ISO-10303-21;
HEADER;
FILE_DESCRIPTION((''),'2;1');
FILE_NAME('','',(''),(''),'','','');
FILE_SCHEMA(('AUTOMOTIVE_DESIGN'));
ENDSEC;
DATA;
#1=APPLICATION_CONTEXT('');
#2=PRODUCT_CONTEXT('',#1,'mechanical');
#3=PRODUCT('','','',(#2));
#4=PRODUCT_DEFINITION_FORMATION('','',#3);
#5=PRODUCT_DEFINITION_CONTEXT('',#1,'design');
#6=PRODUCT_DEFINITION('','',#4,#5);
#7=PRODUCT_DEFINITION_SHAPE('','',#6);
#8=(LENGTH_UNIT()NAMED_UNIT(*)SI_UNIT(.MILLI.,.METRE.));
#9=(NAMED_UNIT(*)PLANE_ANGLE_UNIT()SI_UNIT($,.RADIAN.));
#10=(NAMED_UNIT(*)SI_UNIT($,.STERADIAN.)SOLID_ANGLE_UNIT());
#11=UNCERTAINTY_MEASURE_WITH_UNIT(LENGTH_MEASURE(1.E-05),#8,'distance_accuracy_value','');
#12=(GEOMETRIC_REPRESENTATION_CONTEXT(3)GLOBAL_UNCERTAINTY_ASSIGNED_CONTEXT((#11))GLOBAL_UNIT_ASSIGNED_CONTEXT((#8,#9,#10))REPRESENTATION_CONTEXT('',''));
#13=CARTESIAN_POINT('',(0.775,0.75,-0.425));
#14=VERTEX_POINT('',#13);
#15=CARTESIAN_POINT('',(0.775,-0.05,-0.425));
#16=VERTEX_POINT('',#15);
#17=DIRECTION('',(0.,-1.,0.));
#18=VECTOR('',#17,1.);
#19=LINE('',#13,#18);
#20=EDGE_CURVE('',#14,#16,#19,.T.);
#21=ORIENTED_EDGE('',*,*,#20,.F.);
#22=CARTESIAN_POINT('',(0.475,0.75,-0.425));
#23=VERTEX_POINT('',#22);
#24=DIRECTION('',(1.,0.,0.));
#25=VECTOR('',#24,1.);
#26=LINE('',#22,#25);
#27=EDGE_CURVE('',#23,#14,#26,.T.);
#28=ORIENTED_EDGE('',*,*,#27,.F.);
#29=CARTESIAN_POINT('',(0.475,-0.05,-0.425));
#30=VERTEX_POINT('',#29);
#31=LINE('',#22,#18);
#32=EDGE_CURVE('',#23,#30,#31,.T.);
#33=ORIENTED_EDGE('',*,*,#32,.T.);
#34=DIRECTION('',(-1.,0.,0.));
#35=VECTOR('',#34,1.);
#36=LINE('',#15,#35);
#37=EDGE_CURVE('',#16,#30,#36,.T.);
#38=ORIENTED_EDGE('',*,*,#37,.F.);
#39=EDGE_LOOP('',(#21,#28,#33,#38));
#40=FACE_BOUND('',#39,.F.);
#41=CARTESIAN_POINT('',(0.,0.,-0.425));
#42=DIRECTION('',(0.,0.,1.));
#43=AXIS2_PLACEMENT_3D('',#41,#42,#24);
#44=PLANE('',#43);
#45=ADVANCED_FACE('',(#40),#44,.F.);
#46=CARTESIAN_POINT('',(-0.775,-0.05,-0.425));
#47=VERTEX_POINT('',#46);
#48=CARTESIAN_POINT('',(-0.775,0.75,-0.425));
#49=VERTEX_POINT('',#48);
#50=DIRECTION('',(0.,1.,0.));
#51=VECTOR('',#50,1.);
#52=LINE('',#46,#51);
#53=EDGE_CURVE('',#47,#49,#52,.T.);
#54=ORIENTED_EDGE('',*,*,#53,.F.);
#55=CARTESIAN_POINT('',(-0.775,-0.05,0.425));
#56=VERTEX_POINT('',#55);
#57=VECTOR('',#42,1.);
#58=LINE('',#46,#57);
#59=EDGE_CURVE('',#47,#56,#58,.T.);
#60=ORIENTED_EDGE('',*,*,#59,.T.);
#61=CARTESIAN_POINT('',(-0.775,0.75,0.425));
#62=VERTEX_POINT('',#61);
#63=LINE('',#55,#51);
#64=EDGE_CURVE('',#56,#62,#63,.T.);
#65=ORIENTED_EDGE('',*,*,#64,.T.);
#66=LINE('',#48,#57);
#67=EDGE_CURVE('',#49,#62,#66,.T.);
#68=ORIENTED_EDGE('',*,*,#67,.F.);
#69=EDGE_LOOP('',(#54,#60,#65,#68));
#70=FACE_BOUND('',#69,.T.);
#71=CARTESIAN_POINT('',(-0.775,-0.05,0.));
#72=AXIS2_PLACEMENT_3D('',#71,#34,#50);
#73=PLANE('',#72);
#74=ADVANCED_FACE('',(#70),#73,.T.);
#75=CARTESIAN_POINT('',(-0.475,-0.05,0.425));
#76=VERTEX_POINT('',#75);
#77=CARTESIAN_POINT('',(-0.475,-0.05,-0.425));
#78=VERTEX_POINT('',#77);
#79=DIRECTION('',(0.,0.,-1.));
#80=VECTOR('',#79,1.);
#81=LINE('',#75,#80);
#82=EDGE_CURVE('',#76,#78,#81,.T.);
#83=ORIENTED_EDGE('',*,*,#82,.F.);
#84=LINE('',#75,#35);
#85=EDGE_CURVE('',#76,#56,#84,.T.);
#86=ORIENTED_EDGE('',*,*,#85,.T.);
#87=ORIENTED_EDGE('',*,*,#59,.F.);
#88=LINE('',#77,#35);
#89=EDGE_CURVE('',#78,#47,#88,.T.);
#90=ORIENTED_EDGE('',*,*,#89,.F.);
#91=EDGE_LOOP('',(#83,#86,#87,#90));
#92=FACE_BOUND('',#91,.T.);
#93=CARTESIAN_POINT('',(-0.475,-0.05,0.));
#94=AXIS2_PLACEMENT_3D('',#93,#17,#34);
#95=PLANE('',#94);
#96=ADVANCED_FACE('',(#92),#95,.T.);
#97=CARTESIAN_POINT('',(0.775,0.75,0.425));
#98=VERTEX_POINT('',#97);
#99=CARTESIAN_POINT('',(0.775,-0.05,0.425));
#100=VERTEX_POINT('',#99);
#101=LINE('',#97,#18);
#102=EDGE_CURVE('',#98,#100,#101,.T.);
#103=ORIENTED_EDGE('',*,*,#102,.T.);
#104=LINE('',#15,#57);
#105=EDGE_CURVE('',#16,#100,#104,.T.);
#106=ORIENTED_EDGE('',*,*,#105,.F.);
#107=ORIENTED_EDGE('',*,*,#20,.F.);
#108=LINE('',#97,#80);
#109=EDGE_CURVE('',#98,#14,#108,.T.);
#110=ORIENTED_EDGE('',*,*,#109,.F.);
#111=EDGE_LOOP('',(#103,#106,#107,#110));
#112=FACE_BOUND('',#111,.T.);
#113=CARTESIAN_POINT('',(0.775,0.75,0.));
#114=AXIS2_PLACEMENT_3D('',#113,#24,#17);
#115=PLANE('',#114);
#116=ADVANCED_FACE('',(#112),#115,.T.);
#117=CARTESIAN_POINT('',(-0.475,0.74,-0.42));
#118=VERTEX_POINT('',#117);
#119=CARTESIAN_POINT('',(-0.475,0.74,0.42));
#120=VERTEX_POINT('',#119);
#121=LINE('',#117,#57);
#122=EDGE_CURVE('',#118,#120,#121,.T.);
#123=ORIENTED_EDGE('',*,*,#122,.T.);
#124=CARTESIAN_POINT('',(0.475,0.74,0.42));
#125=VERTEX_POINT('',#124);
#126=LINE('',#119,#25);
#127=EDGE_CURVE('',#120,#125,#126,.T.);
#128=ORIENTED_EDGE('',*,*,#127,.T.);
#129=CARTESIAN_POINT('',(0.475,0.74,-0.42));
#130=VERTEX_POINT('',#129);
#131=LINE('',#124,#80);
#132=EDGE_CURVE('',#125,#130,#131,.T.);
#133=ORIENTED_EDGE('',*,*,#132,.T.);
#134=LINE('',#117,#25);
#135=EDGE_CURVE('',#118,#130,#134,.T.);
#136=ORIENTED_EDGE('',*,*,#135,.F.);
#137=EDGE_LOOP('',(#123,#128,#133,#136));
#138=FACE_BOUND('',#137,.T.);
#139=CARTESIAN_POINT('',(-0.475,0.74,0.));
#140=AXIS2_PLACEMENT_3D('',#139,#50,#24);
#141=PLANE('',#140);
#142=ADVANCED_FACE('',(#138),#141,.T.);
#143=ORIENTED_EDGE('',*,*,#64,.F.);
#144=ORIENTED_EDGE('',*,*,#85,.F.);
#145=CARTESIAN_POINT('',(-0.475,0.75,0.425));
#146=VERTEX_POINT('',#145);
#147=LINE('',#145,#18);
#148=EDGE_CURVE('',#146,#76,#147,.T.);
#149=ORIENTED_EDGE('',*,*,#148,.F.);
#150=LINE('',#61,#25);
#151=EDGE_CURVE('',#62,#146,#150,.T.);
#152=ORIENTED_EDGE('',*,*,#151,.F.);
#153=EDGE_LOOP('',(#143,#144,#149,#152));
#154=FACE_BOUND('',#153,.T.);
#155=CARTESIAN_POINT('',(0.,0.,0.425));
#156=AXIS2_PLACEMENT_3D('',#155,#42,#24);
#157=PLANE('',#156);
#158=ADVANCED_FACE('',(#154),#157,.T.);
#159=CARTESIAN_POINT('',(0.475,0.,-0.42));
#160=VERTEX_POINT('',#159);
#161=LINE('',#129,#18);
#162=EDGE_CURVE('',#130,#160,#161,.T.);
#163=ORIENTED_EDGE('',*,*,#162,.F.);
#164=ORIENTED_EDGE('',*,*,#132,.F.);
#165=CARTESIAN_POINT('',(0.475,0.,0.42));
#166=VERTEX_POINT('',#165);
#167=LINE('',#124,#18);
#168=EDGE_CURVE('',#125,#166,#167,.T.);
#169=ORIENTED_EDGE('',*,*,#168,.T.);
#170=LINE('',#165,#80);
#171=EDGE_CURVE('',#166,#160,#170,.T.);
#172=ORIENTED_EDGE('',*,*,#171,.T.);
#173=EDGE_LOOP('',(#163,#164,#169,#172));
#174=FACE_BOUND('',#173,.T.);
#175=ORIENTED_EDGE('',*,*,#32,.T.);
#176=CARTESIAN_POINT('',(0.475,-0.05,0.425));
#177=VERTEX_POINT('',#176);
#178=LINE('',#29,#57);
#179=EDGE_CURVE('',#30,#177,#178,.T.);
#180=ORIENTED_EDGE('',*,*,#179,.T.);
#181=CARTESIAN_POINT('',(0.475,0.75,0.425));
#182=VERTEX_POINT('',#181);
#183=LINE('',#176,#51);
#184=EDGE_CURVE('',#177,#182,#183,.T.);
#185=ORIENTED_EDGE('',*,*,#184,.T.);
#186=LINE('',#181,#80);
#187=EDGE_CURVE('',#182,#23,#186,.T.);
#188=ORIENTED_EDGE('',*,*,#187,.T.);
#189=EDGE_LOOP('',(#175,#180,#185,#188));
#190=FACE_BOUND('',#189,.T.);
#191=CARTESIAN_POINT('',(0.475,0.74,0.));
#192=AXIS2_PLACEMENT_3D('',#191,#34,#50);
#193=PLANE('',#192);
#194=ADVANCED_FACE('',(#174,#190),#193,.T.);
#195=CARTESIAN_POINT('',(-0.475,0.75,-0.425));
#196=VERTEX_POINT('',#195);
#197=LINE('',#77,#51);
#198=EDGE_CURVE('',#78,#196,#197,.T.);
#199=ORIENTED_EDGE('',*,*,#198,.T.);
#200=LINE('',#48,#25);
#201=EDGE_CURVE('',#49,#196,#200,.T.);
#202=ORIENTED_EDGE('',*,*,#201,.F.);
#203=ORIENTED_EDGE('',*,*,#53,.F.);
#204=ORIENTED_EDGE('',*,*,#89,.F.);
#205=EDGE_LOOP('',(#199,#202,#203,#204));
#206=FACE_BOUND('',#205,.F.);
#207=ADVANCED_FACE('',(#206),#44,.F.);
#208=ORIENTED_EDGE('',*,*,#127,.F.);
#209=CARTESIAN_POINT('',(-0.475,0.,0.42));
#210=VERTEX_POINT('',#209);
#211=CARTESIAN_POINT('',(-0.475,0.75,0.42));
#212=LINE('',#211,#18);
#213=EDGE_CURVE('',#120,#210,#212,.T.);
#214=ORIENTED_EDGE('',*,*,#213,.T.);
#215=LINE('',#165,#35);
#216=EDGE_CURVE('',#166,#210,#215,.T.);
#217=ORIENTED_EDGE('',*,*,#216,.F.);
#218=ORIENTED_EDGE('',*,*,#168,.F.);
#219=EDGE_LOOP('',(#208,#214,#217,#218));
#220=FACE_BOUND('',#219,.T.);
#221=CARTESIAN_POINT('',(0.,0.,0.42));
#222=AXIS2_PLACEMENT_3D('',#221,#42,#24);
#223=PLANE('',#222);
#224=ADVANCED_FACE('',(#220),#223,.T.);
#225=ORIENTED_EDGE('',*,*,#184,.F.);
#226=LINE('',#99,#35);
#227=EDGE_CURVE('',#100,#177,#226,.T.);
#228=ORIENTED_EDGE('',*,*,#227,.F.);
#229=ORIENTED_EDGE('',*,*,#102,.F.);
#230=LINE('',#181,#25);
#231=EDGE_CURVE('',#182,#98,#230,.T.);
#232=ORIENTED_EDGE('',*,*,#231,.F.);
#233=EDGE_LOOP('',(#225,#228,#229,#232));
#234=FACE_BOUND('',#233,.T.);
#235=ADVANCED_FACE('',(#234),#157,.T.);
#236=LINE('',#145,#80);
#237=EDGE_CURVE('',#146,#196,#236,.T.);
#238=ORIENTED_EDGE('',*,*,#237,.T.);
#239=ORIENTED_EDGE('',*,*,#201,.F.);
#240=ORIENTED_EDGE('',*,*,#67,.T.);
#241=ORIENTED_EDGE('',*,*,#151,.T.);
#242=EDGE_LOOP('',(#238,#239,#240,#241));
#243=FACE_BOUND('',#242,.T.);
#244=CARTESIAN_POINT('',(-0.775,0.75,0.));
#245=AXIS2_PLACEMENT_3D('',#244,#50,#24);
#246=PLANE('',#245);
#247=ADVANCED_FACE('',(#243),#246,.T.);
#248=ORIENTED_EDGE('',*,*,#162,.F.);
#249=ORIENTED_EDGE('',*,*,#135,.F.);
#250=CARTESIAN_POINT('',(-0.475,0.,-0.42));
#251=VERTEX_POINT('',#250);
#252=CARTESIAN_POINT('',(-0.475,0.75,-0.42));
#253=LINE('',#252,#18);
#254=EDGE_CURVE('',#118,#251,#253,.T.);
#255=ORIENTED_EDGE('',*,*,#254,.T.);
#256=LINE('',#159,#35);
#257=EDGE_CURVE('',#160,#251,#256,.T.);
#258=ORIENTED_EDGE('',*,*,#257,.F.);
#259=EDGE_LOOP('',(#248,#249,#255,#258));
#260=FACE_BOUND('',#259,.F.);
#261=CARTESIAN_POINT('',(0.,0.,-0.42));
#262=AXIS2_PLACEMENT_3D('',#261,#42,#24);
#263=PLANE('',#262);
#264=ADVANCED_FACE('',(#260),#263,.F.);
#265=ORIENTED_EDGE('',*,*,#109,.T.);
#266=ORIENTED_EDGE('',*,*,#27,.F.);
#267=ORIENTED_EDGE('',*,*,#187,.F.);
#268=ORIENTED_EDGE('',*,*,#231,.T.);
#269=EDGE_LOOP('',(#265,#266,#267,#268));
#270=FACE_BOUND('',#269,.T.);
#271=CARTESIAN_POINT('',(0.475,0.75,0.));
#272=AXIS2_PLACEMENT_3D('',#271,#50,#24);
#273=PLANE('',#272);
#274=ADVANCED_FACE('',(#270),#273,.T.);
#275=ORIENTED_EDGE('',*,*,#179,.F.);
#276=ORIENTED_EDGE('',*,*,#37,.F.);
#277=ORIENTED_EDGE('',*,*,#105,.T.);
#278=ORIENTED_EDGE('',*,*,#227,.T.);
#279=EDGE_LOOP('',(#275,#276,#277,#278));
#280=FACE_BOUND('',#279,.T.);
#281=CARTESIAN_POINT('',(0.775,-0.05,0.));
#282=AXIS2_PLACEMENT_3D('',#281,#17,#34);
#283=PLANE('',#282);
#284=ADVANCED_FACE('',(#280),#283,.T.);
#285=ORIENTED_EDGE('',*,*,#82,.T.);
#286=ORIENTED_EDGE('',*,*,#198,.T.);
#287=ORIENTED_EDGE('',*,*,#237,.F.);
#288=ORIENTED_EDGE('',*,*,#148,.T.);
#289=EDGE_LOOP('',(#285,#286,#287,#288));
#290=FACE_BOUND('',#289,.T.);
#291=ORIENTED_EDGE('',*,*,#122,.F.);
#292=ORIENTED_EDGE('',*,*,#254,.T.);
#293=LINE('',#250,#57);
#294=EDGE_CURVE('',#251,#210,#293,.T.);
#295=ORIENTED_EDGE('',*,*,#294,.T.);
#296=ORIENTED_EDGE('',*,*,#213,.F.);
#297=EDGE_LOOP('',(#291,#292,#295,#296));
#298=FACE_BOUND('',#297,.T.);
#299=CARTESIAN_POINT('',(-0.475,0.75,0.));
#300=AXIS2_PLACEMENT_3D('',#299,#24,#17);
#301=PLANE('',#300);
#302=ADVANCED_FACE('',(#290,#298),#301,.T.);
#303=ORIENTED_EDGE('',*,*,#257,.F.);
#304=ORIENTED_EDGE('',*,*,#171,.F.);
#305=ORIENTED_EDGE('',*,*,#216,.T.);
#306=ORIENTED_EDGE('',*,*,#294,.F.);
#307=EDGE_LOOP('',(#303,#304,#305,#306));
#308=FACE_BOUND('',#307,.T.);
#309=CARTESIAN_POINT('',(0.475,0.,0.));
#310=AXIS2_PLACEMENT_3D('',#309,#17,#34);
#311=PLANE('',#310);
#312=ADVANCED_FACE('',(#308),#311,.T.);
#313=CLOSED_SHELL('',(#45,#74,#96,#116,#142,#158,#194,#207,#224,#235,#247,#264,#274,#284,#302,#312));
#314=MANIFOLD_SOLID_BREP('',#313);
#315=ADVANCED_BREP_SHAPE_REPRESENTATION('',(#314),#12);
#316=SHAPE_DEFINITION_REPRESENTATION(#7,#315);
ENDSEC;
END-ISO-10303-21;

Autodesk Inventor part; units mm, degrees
ref_plane "YZ Plane" through (0, 0, 0) normal (1, 0, 0) x (0, 1, 0)
ref_plane "XZ Plane" through (0, 0, 0) normal (0, 1, 0) x (-1, 0, 0)
ref_plane "XY Plane" through (0, 0, 0) normal (0, 0, 1) x (1, 0, 0)
sketch "Sketch1" plane through (0, 0, 0) normal (0, 0, 1) x (1, 0, 0)
  line L0 (-0.775, 0.75) -> (-0.475, 0.75)
  line L1 (-0.475, 0.75) -> (-0.475, -0.05)
  line L2 (-0.475, -0.05) -> (-0.775, -0.05)
  line L3 (-0.775, -0.05) -> (-0.775, 0.75)
  line L4 (-0.475, 0.74) -> (0.475, 0.74)
  line L5 (0.475, 0.74) -> (0.475, 0)
  line L6 (0.475, 0) -> (-0.475, 0)
  line L7 (-0.475, 0) -> (-0.475, 0.74)
  line L8 (0.475, 0.75) -> (0.775, 0.75)
  line L9 (0.775, 0.75) -> (0.775, -0.05)
  line L10 (0.775, -0.05) -> (0.475, -0.05)
  line L11 (0.475, -0.05) -> (0.475, 0.75)
  point P0 (0, 0)
  point P1 (0, 0.74)
  point P2 (0, 0)
  dimension "d0" = 1.55
  dimension "d1" = 0.8
  dimension "d2" = 0.3
  dimension "d3" = 0.05
  dimension "d6" = 0.01
extrude "Extrusion1" add sketch "Sketch1" along normal mid plane 0.85 contours L0 L1 L2 L3 | L11 L8 L9 L10 L5
extrude "Extrusion2" add sketch "Sketch1" along normal mid plane 0.84 contours L4 L5 L6 L1
properties part number "Capacitor_1608-0.8mm" material "Copper"
